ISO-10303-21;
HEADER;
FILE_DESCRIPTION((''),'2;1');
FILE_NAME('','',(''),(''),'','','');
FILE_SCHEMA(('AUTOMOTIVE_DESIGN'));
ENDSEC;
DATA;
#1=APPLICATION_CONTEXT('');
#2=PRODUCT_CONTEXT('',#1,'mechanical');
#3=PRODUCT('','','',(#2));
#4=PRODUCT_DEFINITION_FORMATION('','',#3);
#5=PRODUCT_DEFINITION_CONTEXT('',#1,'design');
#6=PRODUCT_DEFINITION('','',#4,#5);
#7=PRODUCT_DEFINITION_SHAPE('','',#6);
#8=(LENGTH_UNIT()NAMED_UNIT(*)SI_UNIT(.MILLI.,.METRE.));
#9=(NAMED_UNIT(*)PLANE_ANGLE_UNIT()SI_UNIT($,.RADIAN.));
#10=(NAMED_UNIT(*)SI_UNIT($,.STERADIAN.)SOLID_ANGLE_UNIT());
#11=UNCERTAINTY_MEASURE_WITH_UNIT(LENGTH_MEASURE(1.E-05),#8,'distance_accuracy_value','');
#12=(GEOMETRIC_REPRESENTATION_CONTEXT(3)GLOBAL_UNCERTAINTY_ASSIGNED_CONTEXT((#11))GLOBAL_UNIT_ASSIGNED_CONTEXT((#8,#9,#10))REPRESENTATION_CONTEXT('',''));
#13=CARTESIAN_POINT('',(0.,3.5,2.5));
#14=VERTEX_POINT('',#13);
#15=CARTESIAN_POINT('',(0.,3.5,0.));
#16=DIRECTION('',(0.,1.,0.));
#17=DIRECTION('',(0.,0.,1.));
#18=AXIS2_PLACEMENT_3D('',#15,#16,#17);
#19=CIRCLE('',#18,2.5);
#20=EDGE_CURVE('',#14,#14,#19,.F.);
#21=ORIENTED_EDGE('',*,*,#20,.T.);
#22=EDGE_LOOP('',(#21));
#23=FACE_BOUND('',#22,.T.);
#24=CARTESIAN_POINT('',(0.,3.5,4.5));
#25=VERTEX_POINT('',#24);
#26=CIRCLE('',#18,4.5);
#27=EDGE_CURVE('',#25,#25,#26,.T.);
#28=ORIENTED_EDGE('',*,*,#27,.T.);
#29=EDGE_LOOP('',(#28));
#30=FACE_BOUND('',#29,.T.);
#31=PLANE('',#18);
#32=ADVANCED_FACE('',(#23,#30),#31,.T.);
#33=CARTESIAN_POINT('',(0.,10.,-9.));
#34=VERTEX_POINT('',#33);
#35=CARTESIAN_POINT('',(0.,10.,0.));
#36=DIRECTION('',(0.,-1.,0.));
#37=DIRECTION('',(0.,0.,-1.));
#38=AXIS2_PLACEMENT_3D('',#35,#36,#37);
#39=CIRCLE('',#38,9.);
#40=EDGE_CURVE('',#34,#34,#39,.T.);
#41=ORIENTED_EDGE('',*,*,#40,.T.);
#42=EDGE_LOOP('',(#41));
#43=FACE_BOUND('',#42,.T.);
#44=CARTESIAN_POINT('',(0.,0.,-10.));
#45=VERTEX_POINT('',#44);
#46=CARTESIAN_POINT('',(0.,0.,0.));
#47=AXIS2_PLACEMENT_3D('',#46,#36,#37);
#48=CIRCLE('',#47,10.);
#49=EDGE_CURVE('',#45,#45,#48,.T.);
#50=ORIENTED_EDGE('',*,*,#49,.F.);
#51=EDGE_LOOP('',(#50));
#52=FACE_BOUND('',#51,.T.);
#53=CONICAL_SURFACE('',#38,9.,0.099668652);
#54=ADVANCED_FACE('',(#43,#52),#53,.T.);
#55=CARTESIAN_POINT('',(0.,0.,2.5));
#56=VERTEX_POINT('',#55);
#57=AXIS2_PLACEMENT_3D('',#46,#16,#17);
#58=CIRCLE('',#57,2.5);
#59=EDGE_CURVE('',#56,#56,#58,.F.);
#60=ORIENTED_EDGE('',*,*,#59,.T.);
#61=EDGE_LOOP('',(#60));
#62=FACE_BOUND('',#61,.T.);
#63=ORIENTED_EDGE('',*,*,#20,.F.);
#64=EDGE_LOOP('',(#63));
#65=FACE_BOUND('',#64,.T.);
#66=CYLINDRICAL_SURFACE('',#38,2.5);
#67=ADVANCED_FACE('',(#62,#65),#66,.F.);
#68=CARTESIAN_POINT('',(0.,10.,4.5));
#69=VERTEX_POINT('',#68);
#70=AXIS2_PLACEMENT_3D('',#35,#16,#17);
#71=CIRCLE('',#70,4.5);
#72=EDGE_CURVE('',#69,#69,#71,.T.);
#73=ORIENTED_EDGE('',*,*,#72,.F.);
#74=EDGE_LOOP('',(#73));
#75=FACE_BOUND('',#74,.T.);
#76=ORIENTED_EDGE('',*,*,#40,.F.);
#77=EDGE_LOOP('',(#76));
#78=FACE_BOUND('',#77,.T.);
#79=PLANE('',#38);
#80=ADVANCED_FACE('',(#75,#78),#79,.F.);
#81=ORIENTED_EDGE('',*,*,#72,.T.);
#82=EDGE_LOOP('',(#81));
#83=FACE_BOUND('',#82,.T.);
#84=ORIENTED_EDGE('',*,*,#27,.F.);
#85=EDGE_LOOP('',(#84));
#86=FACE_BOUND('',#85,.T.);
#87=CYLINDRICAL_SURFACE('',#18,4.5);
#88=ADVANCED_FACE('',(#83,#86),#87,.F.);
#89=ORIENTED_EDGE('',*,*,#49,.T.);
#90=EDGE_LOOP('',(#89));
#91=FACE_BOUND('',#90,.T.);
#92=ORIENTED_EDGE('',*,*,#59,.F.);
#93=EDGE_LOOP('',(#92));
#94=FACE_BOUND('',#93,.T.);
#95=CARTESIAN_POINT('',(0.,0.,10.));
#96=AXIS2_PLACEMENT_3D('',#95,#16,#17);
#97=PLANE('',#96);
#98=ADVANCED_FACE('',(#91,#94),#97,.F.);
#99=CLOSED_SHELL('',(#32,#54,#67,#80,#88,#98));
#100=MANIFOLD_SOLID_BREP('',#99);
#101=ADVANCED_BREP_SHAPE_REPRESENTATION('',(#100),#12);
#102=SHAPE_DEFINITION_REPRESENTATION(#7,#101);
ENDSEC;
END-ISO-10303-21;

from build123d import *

# Parameters (mm, degrees)
SZKIC6_R                               = 4.5
WYTNIJ_WYCI_GNI_CIE1_DEPTH             = 6.5
WYTNIJ_WYCI_GNI_CIE2_REACH             = 5.5
SZKIC7_R                               = 2.5
WYTNIJ_WYCI_GNI_CIE2_DIRECTION_2_DEPTH = 7.5


with BuildPart() as part:
    # Szkic5 → Obrót1 (revolve)
    with BuildSketch(Plane(origin=(0, 0, 0), x_dir=(0, 0, -1), z_dir=(1, 0, 0))):
        Polygon((0, 10), (-9, 10), (-10, 0), (0, 0), align=None)
    revolve(axis=Axis((0, 0, 0), (0, 1, 0)))

    # Szkic6 → Wytnij-wyciągnięcie1 (cut)
    with BuildSketch(Plane(origin=(0, 10, 0), x_dir=(1, 0, 0), z_dir=(0, 1, 0))):
        Circle(SZKIC6_R)
    extrude(amount=-WYTNIJ_WYCI_GNI_CIE1_DEPTH, mode=Mode.SUBTRACT)

    # Szkic7 → Wytnij-wyciągnięcie2 (cut, up to next)
    with BuildSketch(Plane(origin=(0, 3.5, 0), x_dir=(1, 0, 0), z_dir=(0, 1, 0)), mode=Mode.PRIVATE) as wytnij_wyci_gni_cie2_sk1:
        Circle(SZKIC7_R)
    wytnij_wyci_gni_cie2_tool1 = extrude(wytnij_wyci_gni_cie2_sk1.sketch, amount=-WYTNIJ_WYCI_GNI_CIE2_REACH, mode=Mode.PRIVATE) & part.part
    add(wytnij_wyci_gni_cie2_tool1.solids().sort_by_distance((0, 3.5, 0))[0], mode=Mode.SUBTRACT)

    # Szkic7 → Wytnij-wyciągnięcie2 direction 2 (cut)
    with BuildSketch(Plane(origin=(0, 3.5, 0), x_dir=(1, 0, 0), z_dir=(0, 1, 0))):
        Circle(SZKIC7_R)
    extrude(amount=WYTNIJ_WYCI_GNI_CIE2_DIRECTION_2_DEPTH, mode=Mode.SUBTRACT)


solid = part.part
